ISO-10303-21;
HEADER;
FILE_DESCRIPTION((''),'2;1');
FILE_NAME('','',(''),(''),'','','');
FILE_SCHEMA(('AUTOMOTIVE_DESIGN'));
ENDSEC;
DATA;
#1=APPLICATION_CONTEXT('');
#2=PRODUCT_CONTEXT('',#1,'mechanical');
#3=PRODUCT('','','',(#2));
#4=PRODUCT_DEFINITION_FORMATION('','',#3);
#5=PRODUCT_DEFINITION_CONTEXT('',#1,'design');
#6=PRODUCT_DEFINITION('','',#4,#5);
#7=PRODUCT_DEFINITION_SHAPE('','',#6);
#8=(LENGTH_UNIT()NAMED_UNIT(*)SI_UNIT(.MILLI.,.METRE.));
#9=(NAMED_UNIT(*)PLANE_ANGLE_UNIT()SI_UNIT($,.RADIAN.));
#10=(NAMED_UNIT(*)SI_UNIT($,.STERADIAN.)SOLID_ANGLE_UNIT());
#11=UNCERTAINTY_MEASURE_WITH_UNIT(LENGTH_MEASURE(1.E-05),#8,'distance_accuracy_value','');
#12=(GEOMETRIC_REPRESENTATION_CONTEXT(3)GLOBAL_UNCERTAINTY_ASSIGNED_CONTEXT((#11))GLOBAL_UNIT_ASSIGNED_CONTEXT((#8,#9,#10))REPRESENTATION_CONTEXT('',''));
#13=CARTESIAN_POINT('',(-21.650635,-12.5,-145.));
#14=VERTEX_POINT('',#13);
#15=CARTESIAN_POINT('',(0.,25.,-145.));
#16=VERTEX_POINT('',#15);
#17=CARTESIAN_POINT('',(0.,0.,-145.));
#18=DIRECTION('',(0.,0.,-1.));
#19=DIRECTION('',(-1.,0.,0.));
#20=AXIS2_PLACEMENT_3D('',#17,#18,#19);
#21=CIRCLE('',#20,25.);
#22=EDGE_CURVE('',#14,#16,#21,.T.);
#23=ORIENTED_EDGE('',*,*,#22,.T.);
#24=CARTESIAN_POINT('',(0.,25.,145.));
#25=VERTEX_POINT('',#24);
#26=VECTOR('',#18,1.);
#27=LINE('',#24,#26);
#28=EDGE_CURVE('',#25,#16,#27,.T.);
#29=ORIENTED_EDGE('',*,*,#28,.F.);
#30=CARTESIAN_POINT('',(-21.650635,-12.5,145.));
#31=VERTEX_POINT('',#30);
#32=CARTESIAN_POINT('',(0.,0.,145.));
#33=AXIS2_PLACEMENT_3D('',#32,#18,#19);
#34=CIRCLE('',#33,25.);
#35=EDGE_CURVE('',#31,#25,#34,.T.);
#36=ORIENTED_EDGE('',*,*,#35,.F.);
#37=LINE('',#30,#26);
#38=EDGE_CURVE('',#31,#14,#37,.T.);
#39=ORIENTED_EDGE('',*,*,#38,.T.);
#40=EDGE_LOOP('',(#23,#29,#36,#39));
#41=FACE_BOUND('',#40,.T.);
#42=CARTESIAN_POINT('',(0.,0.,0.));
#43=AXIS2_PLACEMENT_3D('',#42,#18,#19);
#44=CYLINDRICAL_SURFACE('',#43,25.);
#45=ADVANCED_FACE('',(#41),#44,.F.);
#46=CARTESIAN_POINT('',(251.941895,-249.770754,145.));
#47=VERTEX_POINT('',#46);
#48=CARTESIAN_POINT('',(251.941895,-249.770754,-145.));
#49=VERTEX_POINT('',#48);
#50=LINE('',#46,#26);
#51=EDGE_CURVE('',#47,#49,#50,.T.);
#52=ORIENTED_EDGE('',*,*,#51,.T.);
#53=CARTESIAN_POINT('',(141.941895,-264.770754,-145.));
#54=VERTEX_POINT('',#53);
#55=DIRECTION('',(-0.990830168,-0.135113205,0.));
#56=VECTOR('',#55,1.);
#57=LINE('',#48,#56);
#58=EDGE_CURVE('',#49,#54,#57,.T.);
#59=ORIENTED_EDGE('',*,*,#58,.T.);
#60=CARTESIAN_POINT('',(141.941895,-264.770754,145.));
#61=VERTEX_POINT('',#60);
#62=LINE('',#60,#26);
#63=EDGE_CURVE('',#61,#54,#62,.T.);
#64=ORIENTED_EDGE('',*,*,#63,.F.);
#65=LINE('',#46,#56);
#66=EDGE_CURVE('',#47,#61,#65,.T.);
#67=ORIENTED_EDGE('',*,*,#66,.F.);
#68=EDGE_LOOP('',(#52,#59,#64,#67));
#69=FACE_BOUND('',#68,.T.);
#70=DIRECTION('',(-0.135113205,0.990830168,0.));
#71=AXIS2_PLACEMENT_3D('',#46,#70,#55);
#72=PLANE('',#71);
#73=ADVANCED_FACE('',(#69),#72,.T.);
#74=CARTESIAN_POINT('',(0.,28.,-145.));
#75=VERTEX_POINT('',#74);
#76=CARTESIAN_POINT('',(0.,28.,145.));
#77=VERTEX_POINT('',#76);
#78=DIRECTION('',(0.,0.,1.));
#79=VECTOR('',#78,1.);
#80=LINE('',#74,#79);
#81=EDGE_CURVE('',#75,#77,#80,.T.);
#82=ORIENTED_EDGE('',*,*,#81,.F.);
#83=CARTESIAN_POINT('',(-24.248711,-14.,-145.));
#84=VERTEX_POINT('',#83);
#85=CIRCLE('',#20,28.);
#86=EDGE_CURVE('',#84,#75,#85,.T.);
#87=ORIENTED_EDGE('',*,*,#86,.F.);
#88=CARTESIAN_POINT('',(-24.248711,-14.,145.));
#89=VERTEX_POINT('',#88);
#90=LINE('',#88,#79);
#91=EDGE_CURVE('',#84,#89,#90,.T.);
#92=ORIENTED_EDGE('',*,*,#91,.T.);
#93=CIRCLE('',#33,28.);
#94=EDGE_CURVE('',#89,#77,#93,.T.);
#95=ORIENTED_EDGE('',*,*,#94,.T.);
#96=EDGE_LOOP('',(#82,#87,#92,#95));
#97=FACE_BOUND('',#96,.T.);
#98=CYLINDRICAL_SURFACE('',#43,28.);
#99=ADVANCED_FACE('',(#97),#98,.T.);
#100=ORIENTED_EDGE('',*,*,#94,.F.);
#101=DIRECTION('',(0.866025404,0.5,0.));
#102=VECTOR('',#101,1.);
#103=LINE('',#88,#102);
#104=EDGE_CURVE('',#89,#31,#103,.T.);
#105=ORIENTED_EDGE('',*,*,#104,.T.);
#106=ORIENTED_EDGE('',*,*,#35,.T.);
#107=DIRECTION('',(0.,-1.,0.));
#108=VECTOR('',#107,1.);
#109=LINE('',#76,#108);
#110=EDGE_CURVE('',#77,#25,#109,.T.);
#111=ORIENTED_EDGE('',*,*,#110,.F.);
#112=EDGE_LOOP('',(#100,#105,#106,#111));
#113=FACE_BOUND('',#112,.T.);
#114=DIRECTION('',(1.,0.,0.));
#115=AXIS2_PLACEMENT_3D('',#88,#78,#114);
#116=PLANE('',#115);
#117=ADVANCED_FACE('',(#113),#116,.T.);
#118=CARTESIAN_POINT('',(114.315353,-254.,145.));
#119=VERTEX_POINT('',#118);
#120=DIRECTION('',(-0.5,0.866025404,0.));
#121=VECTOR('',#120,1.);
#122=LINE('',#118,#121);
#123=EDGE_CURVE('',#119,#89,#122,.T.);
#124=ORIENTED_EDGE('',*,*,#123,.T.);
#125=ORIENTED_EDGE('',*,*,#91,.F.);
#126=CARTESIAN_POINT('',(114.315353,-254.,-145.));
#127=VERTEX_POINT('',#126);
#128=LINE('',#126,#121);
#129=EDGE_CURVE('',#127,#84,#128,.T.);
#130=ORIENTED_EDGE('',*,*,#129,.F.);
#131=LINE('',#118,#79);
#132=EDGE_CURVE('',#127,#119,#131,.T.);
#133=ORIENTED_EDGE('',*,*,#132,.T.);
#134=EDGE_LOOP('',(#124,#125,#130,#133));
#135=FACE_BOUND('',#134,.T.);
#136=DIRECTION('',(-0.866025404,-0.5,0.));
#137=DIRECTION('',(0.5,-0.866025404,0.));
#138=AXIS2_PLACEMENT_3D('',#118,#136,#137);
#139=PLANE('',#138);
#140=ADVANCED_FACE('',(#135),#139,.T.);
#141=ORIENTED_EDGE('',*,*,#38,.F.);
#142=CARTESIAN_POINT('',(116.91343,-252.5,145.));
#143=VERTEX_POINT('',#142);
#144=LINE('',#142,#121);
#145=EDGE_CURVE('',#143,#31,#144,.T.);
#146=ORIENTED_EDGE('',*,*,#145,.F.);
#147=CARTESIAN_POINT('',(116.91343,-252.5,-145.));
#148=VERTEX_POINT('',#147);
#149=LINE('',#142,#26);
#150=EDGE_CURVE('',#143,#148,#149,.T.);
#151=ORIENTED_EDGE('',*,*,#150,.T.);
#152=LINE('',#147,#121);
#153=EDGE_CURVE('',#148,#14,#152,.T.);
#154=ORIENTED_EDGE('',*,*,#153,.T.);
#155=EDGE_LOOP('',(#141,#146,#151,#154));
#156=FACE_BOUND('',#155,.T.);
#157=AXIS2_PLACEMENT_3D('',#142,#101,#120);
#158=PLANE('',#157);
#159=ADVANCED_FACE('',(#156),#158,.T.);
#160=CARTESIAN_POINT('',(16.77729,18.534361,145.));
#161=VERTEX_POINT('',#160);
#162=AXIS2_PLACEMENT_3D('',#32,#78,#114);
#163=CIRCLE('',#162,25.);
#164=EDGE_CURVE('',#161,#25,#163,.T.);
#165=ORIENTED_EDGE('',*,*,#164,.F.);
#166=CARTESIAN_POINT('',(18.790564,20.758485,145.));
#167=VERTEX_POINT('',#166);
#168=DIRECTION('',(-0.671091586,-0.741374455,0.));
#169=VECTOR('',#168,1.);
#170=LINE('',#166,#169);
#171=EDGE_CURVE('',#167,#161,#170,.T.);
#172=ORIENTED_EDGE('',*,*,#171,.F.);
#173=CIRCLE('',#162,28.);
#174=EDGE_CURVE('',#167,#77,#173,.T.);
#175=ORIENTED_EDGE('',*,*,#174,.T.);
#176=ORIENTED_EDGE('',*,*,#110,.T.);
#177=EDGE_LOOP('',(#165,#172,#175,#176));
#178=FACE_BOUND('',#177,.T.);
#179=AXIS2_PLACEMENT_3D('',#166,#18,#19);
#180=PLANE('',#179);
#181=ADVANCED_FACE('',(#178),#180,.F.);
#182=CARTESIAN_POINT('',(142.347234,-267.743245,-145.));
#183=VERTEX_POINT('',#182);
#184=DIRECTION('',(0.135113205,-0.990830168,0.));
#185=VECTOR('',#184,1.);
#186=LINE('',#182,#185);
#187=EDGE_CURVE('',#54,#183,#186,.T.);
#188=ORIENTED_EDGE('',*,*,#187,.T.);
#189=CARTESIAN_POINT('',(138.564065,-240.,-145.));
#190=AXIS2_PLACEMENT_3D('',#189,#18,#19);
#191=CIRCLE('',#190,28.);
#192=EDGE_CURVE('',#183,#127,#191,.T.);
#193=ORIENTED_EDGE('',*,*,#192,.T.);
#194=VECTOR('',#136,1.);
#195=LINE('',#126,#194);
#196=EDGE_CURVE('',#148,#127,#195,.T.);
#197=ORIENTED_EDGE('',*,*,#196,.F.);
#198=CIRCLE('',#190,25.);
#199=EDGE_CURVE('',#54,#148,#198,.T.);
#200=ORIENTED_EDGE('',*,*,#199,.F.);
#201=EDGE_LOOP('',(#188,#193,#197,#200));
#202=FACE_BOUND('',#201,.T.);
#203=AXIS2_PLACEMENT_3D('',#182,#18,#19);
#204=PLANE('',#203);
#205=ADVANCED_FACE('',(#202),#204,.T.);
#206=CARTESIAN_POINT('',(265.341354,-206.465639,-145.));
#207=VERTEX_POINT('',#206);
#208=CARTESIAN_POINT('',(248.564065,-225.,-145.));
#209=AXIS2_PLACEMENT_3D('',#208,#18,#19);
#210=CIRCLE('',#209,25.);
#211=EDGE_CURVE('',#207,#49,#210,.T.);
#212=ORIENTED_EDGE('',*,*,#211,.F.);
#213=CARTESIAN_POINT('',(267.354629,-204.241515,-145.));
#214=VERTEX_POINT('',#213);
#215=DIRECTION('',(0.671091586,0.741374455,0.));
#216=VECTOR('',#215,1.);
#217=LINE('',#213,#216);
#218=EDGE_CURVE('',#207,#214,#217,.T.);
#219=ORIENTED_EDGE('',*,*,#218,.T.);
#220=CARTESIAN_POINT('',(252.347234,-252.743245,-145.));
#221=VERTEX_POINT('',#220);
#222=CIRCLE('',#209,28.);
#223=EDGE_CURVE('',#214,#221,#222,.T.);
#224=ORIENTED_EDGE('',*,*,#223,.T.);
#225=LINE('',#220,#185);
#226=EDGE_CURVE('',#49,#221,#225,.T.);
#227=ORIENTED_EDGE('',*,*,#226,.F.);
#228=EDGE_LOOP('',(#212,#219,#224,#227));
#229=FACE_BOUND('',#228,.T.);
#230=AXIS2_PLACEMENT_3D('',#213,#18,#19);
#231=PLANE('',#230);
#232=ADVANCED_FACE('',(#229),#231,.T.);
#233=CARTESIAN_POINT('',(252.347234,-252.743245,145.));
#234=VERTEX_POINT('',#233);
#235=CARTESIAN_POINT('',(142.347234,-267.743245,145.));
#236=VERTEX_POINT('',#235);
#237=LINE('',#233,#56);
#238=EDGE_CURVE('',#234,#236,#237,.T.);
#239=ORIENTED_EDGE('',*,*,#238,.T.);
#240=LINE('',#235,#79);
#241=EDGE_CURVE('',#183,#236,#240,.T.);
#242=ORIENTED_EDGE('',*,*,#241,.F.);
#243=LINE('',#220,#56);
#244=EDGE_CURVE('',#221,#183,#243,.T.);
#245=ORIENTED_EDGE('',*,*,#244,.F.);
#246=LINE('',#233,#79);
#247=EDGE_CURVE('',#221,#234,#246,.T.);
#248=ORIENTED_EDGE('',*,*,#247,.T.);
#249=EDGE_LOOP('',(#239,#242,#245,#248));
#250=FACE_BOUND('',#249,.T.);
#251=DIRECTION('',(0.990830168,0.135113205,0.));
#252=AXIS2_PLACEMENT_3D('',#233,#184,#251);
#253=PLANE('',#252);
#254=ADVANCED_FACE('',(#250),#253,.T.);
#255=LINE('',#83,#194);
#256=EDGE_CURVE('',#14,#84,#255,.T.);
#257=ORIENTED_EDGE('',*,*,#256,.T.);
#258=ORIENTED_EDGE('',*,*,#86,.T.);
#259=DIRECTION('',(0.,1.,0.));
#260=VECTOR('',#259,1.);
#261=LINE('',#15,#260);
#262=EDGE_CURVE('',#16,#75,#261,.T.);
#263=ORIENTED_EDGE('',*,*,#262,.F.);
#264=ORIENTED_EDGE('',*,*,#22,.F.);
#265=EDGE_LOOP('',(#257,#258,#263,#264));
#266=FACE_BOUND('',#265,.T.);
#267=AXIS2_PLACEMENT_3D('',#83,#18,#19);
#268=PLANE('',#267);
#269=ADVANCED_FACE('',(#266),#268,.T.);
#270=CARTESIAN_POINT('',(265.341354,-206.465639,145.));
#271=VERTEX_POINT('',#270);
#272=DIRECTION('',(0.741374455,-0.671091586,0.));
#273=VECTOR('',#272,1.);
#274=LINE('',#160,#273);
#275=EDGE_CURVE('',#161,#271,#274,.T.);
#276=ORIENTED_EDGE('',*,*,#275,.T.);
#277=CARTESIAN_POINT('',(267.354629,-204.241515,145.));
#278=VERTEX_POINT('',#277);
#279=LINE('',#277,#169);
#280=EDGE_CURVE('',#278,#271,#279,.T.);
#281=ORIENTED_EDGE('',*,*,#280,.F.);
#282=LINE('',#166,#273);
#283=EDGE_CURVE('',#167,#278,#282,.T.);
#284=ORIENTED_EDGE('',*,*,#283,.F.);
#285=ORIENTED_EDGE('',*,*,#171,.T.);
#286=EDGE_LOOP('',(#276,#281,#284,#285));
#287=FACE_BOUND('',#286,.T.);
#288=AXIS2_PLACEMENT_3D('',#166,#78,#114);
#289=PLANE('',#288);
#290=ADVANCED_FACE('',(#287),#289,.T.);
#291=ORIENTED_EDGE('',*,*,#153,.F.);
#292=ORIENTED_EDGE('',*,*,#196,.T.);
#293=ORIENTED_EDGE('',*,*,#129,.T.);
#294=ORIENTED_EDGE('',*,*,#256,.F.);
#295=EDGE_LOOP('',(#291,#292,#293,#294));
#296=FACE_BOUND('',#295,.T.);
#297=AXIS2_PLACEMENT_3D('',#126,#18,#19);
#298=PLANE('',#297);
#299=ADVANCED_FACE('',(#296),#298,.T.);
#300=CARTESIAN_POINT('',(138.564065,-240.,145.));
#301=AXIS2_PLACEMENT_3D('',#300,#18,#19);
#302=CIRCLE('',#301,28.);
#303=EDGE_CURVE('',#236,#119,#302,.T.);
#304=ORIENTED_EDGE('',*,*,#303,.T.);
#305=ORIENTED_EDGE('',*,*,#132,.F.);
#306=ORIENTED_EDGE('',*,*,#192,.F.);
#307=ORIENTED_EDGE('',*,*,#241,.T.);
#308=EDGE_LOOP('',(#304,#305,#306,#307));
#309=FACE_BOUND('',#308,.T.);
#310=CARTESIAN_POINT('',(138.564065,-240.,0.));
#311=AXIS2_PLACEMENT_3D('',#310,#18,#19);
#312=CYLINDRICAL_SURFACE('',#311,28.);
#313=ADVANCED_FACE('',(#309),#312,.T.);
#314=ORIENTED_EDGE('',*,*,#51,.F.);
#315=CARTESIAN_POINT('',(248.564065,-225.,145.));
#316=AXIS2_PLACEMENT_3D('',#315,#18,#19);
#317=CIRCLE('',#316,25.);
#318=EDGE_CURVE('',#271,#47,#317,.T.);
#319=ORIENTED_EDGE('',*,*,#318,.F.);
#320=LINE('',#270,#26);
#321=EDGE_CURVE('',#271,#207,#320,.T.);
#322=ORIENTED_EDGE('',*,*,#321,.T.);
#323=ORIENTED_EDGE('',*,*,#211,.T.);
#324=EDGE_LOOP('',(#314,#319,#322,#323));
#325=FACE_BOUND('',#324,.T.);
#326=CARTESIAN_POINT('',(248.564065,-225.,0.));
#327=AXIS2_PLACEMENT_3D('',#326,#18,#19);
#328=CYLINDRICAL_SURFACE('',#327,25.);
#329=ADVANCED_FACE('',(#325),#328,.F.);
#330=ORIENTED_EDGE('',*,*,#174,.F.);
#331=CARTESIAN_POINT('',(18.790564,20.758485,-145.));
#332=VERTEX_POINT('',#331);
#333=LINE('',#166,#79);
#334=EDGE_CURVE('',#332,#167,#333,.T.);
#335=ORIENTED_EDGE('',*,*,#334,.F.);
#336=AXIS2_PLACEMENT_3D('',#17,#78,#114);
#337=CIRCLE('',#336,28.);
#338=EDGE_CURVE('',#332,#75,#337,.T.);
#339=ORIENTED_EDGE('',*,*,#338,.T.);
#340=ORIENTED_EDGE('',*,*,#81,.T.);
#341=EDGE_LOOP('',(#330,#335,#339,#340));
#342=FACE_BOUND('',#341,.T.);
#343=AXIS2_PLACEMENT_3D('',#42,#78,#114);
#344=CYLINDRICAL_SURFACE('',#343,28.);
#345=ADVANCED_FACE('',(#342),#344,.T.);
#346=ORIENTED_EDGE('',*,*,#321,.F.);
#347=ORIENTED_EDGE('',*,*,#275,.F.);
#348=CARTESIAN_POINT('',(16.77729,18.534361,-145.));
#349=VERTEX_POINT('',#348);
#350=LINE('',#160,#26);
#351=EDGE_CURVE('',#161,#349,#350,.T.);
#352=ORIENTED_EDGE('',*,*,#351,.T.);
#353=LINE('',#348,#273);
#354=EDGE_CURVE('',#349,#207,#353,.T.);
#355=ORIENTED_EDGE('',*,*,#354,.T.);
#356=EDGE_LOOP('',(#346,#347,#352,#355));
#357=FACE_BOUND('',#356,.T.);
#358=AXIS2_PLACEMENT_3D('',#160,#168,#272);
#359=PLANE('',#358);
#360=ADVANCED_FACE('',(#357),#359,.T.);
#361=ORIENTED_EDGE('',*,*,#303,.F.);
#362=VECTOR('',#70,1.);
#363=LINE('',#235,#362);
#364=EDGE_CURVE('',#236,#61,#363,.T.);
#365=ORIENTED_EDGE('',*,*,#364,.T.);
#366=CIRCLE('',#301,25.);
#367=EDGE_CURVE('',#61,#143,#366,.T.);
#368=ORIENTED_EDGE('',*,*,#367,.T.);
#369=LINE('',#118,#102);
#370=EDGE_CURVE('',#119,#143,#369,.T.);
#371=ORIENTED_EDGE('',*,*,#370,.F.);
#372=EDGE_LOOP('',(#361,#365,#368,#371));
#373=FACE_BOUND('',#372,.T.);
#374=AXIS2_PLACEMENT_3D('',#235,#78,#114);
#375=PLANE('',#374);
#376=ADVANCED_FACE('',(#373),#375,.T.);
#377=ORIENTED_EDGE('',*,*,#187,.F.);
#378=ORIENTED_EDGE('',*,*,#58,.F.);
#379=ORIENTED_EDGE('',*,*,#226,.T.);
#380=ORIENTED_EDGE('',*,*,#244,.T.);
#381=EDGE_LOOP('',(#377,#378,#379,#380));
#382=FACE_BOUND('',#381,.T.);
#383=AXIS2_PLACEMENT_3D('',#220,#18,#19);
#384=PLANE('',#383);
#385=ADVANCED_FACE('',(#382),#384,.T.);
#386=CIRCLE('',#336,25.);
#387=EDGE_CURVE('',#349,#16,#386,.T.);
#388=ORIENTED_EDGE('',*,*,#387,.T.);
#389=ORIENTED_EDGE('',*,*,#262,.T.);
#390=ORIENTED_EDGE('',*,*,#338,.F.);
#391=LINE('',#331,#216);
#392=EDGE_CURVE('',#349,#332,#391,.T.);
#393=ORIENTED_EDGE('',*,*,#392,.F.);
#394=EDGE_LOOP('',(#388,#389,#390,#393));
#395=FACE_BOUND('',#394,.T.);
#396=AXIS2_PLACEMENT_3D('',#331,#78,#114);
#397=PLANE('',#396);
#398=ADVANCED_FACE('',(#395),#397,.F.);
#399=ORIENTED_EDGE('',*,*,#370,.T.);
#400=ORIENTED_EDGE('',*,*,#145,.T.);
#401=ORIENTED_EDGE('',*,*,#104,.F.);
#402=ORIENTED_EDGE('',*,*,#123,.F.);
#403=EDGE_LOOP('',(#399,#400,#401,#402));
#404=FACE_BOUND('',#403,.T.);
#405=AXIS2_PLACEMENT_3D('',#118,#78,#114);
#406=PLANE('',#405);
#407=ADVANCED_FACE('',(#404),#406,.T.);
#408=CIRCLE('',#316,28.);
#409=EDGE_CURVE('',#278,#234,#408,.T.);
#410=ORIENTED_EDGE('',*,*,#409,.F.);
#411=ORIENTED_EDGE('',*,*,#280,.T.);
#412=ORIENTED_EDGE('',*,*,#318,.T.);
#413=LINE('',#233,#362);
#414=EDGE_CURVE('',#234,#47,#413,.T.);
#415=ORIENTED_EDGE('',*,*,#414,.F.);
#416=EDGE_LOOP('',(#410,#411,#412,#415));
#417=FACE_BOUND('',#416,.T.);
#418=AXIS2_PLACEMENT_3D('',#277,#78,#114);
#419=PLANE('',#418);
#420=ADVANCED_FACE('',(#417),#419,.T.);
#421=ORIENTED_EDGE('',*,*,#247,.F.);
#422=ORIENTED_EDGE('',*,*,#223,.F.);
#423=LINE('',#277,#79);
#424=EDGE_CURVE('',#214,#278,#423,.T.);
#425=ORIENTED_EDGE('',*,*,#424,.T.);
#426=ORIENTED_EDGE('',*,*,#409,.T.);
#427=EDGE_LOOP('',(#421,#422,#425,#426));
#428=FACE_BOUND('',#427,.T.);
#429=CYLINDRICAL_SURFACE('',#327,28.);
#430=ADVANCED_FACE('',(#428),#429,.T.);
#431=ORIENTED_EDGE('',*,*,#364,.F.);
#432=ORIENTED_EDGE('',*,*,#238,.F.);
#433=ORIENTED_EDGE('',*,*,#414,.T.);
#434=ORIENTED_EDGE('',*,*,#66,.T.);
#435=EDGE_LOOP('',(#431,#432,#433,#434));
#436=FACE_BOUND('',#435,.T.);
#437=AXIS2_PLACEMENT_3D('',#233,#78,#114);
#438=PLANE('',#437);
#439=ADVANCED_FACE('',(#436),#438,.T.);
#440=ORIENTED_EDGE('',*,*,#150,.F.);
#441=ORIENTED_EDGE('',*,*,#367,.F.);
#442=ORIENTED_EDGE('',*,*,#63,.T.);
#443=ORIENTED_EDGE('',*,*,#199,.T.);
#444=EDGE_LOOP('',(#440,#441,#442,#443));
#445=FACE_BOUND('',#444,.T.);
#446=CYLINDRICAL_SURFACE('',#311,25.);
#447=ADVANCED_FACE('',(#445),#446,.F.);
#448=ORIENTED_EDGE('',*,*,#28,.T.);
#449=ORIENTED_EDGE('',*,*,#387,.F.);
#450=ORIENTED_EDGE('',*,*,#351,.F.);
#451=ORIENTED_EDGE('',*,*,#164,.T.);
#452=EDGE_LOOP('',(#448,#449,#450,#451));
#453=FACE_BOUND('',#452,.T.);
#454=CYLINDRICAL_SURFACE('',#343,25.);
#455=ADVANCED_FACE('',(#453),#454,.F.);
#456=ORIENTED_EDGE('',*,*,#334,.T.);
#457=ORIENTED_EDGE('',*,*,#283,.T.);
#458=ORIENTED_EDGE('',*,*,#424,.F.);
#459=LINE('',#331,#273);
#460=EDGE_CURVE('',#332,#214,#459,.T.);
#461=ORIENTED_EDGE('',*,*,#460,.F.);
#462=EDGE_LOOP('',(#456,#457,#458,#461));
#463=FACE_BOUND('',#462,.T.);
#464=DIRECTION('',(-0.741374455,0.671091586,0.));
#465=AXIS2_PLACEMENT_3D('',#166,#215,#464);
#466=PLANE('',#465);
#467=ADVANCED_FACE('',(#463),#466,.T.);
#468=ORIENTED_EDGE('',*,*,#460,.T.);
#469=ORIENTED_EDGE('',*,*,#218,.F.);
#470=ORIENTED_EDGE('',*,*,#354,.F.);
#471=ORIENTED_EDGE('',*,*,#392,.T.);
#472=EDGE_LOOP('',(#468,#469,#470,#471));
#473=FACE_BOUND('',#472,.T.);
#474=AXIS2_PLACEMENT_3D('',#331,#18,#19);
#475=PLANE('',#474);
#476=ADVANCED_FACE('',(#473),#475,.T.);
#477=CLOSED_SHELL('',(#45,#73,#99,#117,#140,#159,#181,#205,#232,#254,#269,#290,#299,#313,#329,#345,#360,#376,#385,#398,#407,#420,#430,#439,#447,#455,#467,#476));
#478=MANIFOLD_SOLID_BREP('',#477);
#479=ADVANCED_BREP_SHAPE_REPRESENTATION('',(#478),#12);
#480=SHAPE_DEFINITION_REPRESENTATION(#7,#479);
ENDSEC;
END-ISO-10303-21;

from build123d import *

# Parameters (mm, degrees)
ESQUISSE3_W = 290
ESQUISSE3_H = 3


with BuildPart() as part:
    # Balayage1: sweep along a path in Esquisse2
    with BuildLine(Plane.XY) as balayage1_path:
        Line((-21.650635095, -12.5), (116.913429511, -252.5))
        ThreePointArc((116.913429511, -252.5), (127.558761221, -262.447344997), (141.941894724, -264.770754201))
        Line((141.941894724, -264.770754201), (251.941894724, -249.770754201))
        ThreePointArc((251.941894724, -249.770754201), (272.446913518, -232.389825968), (265.341354263, -206.465638621))
        Line((265.341354263, -206.465638621), (16.777289658, 18.534361379))
        ThreePointArc((16.777289658, 18.534361379), (-15.707331743, 19.449414631), (-21.650635095, -12.5))
    # Esquisse3 → Balayage1 (sweep)
    with BuildSketch(Plane(origin=(0, 0, 0), x_dir=(0, 0, -1), z_dir=(1, 0, 0))):
        with Locations((0, 26.5)):
            Rectangle(ESQUISSE3_W, ESQUISSE3_H)
    sweep(path=balayage1_path.line)


solid = part.part
